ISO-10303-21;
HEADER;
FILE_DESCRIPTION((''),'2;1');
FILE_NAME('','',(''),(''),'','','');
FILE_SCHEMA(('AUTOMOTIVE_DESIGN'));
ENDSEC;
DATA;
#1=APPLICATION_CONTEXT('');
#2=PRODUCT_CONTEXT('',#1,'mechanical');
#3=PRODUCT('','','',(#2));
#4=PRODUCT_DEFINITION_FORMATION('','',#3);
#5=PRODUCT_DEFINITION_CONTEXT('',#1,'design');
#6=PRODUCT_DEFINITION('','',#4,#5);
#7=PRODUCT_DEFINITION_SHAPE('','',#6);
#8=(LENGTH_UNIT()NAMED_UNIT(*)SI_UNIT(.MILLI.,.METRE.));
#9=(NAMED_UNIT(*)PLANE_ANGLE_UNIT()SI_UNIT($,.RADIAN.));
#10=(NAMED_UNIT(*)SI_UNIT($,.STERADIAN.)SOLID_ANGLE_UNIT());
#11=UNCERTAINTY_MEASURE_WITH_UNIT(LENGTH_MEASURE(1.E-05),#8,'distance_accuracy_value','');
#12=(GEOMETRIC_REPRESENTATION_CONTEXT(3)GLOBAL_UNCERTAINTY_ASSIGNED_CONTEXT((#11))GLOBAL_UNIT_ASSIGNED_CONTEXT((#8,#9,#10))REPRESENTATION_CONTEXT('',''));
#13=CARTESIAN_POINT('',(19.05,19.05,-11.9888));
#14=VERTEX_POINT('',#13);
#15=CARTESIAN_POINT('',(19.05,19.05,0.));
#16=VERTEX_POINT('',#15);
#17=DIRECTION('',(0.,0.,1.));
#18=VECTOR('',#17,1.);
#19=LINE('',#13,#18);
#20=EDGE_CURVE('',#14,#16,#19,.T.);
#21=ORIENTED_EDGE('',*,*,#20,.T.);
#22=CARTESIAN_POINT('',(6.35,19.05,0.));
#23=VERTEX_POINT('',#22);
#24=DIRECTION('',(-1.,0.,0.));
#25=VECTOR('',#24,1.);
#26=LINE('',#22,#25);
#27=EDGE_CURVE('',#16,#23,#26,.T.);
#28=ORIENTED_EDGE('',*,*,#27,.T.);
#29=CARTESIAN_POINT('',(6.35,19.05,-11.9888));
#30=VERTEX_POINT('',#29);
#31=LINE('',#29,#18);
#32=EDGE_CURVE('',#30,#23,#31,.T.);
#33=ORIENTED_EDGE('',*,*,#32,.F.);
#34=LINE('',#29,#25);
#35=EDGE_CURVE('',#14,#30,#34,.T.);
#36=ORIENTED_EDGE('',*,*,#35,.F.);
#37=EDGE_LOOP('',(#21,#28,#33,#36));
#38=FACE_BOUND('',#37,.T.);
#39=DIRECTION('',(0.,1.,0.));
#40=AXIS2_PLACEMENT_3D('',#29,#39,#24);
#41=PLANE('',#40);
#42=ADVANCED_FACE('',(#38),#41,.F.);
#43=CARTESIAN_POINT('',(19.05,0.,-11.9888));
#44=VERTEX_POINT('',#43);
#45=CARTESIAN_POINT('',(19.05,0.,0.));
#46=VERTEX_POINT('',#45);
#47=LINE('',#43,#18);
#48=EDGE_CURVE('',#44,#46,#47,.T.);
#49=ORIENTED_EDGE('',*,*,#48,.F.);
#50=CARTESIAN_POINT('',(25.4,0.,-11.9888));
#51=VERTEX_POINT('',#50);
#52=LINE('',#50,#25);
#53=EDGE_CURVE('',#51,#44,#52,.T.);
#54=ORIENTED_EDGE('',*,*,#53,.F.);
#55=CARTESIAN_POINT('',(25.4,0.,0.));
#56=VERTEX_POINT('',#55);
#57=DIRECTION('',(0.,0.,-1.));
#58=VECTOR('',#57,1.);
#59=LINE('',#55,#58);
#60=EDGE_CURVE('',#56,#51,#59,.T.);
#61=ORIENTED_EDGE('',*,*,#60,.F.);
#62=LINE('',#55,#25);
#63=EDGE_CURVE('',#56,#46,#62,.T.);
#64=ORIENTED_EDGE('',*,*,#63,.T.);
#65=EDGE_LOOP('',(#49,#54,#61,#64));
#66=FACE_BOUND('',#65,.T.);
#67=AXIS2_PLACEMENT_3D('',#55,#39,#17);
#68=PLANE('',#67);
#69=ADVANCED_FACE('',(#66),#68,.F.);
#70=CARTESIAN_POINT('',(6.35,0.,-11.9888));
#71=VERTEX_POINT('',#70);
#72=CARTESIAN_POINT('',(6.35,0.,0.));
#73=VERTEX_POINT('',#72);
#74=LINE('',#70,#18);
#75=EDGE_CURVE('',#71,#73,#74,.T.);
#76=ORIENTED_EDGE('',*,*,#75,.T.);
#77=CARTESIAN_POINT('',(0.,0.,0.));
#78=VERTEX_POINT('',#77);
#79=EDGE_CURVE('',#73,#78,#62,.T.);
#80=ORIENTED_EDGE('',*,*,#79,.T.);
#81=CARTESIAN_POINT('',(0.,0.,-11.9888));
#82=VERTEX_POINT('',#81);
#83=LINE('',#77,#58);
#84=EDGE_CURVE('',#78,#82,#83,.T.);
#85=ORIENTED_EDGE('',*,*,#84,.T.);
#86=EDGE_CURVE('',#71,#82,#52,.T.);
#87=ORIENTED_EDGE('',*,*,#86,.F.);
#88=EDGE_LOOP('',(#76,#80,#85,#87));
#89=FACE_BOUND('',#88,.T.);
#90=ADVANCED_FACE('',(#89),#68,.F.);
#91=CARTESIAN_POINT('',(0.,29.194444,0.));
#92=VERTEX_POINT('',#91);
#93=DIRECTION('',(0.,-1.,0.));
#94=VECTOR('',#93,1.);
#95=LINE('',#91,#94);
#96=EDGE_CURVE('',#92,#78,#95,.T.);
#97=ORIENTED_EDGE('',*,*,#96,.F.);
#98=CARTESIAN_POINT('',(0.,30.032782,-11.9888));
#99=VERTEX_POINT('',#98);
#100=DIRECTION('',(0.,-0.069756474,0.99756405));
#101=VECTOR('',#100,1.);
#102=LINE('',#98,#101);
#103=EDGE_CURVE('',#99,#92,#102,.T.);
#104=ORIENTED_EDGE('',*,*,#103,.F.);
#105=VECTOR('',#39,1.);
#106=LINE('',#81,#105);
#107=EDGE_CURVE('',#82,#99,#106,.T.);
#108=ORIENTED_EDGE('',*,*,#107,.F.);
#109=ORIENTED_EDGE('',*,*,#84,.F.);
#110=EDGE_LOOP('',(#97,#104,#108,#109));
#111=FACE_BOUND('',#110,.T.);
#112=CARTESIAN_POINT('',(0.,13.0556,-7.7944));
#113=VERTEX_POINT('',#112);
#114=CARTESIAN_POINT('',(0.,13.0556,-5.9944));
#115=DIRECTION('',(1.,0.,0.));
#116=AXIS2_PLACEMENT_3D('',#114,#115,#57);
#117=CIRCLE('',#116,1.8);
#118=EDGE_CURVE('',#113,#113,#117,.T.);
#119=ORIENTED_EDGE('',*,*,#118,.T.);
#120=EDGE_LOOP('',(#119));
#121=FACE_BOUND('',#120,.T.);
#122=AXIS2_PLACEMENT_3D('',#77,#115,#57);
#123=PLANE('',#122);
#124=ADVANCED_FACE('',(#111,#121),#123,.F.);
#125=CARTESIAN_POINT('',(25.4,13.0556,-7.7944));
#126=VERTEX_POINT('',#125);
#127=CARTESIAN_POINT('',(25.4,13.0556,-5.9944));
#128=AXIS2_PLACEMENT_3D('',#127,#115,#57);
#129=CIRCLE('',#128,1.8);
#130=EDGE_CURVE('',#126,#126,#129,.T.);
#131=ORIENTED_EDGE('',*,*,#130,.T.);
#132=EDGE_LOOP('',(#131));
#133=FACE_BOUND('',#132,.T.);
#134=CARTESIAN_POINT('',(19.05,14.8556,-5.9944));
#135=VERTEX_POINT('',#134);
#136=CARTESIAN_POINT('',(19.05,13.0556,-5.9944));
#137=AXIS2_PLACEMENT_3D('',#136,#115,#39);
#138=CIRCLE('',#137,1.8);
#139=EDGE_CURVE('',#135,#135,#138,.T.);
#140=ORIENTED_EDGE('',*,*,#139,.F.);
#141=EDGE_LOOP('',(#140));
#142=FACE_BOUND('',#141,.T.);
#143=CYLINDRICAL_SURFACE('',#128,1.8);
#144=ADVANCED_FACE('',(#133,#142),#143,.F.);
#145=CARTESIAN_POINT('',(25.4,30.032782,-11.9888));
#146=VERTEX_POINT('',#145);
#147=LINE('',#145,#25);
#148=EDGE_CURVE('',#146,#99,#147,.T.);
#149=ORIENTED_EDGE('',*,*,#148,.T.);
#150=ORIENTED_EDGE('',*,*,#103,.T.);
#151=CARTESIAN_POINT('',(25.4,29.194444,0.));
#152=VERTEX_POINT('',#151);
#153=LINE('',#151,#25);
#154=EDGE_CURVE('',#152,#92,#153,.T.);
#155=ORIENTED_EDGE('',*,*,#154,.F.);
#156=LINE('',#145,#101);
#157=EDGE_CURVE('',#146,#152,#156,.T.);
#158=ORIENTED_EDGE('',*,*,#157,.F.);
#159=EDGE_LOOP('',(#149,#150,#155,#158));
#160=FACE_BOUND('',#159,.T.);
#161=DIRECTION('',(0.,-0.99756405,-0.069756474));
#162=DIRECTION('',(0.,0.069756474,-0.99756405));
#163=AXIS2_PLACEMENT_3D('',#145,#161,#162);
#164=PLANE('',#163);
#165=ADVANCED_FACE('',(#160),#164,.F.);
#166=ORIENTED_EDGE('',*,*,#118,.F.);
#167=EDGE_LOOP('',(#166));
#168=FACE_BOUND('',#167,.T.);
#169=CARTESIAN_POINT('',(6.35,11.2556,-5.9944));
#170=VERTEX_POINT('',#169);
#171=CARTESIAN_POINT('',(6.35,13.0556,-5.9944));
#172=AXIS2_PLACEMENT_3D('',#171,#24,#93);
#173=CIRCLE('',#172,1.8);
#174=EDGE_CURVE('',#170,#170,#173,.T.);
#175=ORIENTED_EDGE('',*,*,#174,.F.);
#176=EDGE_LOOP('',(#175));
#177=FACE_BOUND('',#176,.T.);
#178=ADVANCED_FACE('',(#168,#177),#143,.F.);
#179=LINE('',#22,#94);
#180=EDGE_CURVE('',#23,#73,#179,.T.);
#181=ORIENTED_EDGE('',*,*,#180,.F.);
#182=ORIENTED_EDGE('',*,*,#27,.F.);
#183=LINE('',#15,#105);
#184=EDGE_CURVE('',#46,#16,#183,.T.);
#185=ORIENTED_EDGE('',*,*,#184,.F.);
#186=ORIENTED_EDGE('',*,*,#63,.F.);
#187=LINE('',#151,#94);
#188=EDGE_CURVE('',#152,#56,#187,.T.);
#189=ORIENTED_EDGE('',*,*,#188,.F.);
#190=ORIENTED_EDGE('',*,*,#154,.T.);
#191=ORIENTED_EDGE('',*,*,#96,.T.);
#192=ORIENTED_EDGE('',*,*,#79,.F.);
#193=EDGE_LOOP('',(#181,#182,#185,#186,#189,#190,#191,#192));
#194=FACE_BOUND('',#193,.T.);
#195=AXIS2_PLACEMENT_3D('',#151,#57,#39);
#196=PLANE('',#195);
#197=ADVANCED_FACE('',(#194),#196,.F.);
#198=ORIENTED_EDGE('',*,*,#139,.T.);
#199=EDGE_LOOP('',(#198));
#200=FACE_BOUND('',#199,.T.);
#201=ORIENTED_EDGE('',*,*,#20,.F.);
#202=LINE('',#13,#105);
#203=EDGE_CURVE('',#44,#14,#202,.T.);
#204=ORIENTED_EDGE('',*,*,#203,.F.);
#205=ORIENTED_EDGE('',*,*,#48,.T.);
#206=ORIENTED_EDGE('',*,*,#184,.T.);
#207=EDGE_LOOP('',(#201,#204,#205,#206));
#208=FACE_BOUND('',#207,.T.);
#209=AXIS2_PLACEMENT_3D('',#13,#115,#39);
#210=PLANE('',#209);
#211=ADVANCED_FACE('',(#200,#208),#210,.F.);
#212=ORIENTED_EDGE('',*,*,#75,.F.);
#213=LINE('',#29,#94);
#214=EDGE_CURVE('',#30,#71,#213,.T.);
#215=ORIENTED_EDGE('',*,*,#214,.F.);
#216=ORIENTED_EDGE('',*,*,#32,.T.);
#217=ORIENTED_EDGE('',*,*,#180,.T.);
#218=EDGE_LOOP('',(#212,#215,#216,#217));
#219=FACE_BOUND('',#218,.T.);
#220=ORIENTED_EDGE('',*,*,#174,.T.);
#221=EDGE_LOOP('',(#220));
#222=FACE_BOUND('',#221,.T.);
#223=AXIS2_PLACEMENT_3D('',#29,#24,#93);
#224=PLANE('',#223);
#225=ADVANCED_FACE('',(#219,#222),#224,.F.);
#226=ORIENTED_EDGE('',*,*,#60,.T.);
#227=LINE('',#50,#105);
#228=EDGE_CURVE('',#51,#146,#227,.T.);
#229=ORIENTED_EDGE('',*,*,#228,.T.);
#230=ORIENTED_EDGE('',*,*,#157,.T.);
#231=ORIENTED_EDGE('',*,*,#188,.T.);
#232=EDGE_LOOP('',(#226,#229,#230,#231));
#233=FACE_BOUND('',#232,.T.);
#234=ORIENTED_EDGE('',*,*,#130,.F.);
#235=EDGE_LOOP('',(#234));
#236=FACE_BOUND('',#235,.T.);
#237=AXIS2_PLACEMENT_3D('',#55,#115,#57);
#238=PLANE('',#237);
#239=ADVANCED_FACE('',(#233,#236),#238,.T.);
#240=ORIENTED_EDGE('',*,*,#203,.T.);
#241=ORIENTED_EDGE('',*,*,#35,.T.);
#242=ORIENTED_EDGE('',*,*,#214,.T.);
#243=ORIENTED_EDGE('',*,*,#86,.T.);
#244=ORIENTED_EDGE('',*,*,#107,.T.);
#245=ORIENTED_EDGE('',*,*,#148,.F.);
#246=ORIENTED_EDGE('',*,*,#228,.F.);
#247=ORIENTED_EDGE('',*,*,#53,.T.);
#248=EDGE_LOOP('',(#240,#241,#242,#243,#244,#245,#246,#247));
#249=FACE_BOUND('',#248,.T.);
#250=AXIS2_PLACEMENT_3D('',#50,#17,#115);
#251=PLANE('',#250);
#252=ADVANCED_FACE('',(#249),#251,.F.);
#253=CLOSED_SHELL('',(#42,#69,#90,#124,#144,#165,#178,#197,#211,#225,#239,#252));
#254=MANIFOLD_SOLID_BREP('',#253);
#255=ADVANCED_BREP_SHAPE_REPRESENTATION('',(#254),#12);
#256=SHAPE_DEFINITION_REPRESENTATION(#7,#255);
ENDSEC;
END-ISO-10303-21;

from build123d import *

# Parameters (mm, degrees)
BOSS_EXTRUDE1_DEPTH  = 25.4
SKETCH2_W            = 12.7
SKETCH2_H            = 19.05
CUT_EXTRUDE1_DEPTH   = 42.120060065
M3_CLEARANCE_HOLE1_D = 3.6


with BuildPart() as part:
    # Sketch1 → Boss-Extrude1 (new body)
    with BuildSketch(Plane(origin=(0, 0, 0), x_dir=(0, 0, -1), z_dir=(1, 0, 0))):
        Polygon((0, 0), (11.9888, 0), (11.9888, 30.032782328), (0, 29.194443765), align=None)
    extrude(amount=BOSS_EXTRUDE1_DEPTH)

    # Sketch2 → Cut-Extrude1 (cut, through all)
    with BuildSketch(Plane.XY):
        with Locations((12.7, 9.525)):
            Rectangle(SKETCH2_W, SKETCH2_H)
    extrude(amount=-CUT_EXTRUDE1_DEPTH, mode=Mode.SUBTRACT)

    # M3 Clearance Hole1 (through all)
    with Locations(Plane(origin=(25.4, 0, 0), x_dir=(0, 0, -1), z_dir=(1, 0, 0))):
        with Locations((5.9944, 13.0556)):
            Hole(M3_CLEARANCE_HOLE1_D / 2)


solid = part.part
